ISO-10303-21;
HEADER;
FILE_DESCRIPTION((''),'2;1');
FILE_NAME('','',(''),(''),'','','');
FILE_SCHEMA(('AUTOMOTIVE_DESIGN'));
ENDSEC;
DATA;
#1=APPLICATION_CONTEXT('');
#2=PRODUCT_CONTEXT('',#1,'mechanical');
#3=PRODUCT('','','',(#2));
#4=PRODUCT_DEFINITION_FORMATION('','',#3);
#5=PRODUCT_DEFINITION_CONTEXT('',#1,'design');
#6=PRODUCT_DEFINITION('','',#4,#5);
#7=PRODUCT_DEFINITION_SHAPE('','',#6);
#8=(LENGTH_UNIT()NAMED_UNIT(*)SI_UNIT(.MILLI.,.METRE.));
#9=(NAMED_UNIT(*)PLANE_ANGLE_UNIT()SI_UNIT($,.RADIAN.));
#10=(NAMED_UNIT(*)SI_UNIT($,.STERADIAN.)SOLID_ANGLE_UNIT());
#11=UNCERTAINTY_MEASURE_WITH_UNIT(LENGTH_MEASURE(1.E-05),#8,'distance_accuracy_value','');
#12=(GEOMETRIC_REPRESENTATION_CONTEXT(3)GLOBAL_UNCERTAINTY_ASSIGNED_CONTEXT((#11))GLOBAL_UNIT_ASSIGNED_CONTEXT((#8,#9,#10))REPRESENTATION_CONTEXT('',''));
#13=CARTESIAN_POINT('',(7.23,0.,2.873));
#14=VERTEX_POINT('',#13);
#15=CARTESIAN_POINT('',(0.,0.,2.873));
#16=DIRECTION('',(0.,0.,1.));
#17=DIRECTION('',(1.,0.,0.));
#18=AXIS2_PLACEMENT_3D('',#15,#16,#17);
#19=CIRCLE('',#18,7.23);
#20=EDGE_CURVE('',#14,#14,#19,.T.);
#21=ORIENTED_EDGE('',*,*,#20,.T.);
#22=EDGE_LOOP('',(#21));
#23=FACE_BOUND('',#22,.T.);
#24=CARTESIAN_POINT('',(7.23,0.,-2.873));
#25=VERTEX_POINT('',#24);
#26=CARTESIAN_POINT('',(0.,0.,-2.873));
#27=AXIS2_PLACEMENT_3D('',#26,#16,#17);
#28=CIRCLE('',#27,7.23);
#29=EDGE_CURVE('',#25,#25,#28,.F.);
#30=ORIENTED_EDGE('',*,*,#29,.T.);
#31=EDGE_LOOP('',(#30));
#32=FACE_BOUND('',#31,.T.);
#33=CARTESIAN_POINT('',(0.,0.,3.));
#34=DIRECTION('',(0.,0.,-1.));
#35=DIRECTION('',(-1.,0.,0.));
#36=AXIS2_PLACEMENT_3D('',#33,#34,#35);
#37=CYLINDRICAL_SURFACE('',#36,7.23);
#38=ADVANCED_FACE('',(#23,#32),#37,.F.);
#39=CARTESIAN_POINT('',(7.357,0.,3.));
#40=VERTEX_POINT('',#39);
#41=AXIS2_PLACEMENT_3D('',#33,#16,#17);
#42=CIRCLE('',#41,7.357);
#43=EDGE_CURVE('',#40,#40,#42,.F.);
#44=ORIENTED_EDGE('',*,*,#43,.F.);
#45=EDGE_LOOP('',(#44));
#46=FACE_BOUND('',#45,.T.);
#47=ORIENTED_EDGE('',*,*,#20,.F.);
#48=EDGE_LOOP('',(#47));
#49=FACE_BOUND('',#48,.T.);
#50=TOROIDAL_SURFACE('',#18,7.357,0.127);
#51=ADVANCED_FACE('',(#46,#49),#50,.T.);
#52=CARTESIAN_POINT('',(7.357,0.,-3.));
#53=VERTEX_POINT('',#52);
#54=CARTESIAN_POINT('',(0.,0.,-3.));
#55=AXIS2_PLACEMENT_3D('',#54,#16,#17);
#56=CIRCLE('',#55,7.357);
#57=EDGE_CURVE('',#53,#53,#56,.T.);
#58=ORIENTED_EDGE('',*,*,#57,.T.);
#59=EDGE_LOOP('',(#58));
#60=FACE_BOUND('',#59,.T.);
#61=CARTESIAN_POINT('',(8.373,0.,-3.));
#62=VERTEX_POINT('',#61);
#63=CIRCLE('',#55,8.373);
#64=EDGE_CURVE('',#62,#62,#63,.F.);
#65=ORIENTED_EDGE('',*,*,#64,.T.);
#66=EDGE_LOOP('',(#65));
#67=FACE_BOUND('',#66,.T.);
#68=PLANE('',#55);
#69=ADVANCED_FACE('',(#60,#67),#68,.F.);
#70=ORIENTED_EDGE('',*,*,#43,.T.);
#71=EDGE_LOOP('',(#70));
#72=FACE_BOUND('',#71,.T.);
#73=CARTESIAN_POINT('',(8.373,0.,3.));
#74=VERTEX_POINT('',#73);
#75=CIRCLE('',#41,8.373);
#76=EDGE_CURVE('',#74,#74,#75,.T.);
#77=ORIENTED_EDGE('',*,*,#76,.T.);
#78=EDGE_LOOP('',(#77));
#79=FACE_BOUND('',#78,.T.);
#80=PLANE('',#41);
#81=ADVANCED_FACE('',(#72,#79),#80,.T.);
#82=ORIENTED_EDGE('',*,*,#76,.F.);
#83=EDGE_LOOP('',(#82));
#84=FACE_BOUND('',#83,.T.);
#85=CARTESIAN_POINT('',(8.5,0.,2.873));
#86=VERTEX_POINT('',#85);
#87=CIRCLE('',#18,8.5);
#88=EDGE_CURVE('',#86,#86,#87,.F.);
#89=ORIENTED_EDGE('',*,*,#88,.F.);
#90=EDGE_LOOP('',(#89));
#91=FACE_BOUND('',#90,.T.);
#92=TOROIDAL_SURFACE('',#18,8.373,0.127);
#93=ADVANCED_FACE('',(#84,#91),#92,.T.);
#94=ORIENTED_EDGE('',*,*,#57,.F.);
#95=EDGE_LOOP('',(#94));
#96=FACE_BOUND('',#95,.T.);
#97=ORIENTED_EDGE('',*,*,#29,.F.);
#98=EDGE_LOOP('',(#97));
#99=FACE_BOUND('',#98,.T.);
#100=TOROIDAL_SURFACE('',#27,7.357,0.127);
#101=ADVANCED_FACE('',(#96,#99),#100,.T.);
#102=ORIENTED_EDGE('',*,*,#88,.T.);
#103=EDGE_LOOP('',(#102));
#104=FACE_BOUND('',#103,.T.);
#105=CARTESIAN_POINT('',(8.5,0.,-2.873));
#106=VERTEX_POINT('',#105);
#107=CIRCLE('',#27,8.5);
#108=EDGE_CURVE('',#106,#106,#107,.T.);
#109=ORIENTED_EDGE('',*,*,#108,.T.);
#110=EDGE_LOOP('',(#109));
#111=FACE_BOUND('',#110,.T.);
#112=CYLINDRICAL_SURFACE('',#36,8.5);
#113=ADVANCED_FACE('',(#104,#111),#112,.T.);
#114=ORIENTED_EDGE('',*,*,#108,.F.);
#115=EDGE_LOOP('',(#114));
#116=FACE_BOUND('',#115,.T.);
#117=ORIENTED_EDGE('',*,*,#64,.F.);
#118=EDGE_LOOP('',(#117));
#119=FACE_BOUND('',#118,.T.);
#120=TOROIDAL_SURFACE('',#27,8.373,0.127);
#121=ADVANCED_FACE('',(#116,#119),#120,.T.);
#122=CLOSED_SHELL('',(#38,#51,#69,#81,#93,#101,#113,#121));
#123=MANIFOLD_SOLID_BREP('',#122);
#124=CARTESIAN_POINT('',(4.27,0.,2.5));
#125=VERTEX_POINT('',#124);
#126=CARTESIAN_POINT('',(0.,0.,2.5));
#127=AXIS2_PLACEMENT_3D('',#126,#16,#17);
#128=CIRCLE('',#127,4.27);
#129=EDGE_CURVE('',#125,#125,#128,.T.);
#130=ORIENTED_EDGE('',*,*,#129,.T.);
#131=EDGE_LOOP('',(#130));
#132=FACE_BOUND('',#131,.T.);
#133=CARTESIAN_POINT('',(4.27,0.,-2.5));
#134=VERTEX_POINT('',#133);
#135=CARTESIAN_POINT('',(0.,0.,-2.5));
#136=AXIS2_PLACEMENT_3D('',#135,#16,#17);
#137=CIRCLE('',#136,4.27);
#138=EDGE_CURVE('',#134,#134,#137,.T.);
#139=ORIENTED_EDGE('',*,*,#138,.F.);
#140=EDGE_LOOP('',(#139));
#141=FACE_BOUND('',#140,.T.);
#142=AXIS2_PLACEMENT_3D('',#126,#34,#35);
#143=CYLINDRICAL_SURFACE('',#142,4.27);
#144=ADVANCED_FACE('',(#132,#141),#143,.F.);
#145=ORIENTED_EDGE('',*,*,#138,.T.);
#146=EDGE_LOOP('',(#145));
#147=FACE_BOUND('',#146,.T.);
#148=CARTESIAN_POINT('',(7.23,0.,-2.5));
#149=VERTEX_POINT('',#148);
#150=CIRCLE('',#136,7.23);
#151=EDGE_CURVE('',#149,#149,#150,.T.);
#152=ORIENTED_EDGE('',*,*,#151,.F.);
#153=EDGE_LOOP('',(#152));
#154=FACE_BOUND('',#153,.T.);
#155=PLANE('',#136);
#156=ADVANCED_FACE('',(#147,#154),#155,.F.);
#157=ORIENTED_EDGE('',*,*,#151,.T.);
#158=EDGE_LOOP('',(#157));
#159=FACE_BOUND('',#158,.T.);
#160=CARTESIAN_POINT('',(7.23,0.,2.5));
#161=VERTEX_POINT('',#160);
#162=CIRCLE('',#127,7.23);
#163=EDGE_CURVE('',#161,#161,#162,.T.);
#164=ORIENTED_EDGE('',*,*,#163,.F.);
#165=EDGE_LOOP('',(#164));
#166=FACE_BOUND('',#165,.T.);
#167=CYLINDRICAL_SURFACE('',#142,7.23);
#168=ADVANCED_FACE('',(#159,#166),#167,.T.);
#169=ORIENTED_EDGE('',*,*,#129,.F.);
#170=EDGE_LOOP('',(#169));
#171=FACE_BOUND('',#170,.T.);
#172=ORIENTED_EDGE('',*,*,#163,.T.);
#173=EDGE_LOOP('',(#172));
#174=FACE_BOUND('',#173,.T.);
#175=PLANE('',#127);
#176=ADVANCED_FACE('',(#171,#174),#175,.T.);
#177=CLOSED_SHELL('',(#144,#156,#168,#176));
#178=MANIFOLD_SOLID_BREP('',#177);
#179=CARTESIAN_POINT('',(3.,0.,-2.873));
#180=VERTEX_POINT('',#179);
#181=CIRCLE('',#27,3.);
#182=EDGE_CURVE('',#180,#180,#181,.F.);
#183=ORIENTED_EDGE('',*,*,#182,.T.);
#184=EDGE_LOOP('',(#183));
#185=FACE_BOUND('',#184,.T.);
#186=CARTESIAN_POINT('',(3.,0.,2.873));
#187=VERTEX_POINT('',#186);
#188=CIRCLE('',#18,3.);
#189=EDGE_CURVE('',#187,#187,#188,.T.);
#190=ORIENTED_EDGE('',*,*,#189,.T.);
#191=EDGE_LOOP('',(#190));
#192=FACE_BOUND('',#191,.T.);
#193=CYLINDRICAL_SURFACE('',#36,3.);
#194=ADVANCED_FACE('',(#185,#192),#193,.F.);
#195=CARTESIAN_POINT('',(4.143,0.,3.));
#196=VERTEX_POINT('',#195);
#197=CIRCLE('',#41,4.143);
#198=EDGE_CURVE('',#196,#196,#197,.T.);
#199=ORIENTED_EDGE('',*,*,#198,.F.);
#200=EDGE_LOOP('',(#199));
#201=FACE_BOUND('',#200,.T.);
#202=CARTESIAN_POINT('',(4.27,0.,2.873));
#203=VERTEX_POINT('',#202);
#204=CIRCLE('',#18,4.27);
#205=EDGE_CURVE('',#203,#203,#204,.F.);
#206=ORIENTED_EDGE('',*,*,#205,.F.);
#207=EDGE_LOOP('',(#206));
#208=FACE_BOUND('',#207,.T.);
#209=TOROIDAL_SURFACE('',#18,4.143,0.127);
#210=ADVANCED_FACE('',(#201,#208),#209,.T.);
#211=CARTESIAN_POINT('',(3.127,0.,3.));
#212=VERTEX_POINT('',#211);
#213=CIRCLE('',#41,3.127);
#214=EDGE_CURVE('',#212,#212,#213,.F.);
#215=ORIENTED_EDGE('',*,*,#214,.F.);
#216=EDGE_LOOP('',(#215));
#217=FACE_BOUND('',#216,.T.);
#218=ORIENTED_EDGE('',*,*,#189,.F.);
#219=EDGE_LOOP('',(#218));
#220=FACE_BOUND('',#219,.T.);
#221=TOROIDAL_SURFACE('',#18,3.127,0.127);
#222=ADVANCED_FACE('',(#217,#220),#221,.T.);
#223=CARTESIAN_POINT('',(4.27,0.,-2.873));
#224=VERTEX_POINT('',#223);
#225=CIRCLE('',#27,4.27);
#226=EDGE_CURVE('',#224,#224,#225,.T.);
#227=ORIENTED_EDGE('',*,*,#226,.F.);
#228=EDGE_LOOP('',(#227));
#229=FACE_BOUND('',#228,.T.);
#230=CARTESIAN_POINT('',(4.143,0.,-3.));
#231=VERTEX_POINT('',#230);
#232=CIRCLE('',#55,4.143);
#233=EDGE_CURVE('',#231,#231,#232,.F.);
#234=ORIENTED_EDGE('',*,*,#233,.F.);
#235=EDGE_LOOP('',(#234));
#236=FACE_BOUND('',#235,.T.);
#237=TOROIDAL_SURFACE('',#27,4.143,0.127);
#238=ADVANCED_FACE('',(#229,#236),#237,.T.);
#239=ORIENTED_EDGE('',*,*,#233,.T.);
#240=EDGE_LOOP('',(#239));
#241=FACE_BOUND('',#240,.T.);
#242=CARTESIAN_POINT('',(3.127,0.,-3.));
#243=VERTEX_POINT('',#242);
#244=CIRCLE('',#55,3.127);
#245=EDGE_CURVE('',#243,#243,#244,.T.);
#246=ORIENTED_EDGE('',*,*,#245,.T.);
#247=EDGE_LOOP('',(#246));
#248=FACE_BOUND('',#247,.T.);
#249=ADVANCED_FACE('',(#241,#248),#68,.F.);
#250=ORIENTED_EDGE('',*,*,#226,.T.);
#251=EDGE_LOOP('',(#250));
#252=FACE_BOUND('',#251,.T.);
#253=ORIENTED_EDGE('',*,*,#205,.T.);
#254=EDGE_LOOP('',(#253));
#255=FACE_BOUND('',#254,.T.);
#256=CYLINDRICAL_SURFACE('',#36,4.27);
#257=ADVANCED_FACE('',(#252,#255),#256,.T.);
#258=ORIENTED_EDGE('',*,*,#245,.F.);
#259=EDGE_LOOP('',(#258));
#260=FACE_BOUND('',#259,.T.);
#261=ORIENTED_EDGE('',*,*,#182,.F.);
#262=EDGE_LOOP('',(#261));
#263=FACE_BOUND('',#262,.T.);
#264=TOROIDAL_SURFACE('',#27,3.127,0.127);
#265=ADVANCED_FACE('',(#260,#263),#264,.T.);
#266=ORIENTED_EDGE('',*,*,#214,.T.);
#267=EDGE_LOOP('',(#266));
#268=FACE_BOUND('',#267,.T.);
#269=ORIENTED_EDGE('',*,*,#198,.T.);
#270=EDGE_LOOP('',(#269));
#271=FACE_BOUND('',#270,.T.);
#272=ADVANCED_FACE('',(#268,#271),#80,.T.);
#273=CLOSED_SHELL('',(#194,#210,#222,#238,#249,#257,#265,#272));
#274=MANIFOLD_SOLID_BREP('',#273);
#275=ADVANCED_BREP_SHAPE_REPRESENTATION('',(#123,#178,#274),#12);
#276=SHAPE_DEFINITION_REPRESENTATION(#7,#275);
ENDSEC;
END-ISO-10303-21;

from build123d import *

# Parameters (mm, degrees)
SKETCH1_R           = 4.27
SKETCH1_R_2         = 3
BOSS_EXTRUDE1_DEPTH = 3
SKETCH2_R           = 8.5
SKETCH2_R_2         = 7.23
BOSS_EXTRUDE2_DEPTH = 3
FILLET1_R           = 0.127
FILLET2_R           = 0.127
SKETCH3_R           = 7.23
SKETCH3_R_2         = 4.27
BOSS_EXTRUDE3_DEPTH = 2.5


with BuildPart() as part:
    # Sketch1 → Boss-Extrude1 (new body, symmetric)
    with BuildSketch(Plane.XY):
        Circle(SKETCH1_R)
        Circle(SKETCH1_R_2, mode=Mode.SUBTRACT)
    extrude(amount=BOSS_EXTRUDE1_DEPTH, both=True)

    # Fillet2
    fillet2_edges = [part.edges().sort_by_distance(p)[0] for p in [
        (-4.27, 0, -3),
        (-4.27, 0, 3),
        (-3, 0, -3),
        (-3, 0, 3),
    ]]
    fillet(fillet2_edges, radius=FILLET2_R)


with BuildPart() as body_2:
    # Sketch2 → Boss-Extrude2 (new body, symmetric)
    with BuildSketch(Plane.XY):
        Circle(SKETCH2_R)
        Circle(SKETCH2_R_2, mode=Mode.SUBTRACT)
    extrude(amount=BOSS_EXTRUDE2_DEPTH, both=True)

    # Fillet1
    fillet1_edges = [body_2.edges().sort_by_distance(p)[0] for p in [
        (-8.5, 0, -3),
        (-8.5, 0, 3),
        (-7.23, 0, -3),
        (-7.23, 0, 3),
    ]]
    fillet(fillet1_edges, radius=FILLET1_R)


with BuildPart() as body_3:
    # Sketch3 → Boss-Extrude3 (new body, symmetric)
    with BuildSketch(Plane.XY):
        Circle(SKETCH3_R)
        Circle(SKETCH3_R_2, mode=Mode.SUBTRACT)
    extrude(amount=BOSS_EXTRUDE3_DEPTH, both=True)


solid = Compound([part.part, body_2.part, body_3.part])
